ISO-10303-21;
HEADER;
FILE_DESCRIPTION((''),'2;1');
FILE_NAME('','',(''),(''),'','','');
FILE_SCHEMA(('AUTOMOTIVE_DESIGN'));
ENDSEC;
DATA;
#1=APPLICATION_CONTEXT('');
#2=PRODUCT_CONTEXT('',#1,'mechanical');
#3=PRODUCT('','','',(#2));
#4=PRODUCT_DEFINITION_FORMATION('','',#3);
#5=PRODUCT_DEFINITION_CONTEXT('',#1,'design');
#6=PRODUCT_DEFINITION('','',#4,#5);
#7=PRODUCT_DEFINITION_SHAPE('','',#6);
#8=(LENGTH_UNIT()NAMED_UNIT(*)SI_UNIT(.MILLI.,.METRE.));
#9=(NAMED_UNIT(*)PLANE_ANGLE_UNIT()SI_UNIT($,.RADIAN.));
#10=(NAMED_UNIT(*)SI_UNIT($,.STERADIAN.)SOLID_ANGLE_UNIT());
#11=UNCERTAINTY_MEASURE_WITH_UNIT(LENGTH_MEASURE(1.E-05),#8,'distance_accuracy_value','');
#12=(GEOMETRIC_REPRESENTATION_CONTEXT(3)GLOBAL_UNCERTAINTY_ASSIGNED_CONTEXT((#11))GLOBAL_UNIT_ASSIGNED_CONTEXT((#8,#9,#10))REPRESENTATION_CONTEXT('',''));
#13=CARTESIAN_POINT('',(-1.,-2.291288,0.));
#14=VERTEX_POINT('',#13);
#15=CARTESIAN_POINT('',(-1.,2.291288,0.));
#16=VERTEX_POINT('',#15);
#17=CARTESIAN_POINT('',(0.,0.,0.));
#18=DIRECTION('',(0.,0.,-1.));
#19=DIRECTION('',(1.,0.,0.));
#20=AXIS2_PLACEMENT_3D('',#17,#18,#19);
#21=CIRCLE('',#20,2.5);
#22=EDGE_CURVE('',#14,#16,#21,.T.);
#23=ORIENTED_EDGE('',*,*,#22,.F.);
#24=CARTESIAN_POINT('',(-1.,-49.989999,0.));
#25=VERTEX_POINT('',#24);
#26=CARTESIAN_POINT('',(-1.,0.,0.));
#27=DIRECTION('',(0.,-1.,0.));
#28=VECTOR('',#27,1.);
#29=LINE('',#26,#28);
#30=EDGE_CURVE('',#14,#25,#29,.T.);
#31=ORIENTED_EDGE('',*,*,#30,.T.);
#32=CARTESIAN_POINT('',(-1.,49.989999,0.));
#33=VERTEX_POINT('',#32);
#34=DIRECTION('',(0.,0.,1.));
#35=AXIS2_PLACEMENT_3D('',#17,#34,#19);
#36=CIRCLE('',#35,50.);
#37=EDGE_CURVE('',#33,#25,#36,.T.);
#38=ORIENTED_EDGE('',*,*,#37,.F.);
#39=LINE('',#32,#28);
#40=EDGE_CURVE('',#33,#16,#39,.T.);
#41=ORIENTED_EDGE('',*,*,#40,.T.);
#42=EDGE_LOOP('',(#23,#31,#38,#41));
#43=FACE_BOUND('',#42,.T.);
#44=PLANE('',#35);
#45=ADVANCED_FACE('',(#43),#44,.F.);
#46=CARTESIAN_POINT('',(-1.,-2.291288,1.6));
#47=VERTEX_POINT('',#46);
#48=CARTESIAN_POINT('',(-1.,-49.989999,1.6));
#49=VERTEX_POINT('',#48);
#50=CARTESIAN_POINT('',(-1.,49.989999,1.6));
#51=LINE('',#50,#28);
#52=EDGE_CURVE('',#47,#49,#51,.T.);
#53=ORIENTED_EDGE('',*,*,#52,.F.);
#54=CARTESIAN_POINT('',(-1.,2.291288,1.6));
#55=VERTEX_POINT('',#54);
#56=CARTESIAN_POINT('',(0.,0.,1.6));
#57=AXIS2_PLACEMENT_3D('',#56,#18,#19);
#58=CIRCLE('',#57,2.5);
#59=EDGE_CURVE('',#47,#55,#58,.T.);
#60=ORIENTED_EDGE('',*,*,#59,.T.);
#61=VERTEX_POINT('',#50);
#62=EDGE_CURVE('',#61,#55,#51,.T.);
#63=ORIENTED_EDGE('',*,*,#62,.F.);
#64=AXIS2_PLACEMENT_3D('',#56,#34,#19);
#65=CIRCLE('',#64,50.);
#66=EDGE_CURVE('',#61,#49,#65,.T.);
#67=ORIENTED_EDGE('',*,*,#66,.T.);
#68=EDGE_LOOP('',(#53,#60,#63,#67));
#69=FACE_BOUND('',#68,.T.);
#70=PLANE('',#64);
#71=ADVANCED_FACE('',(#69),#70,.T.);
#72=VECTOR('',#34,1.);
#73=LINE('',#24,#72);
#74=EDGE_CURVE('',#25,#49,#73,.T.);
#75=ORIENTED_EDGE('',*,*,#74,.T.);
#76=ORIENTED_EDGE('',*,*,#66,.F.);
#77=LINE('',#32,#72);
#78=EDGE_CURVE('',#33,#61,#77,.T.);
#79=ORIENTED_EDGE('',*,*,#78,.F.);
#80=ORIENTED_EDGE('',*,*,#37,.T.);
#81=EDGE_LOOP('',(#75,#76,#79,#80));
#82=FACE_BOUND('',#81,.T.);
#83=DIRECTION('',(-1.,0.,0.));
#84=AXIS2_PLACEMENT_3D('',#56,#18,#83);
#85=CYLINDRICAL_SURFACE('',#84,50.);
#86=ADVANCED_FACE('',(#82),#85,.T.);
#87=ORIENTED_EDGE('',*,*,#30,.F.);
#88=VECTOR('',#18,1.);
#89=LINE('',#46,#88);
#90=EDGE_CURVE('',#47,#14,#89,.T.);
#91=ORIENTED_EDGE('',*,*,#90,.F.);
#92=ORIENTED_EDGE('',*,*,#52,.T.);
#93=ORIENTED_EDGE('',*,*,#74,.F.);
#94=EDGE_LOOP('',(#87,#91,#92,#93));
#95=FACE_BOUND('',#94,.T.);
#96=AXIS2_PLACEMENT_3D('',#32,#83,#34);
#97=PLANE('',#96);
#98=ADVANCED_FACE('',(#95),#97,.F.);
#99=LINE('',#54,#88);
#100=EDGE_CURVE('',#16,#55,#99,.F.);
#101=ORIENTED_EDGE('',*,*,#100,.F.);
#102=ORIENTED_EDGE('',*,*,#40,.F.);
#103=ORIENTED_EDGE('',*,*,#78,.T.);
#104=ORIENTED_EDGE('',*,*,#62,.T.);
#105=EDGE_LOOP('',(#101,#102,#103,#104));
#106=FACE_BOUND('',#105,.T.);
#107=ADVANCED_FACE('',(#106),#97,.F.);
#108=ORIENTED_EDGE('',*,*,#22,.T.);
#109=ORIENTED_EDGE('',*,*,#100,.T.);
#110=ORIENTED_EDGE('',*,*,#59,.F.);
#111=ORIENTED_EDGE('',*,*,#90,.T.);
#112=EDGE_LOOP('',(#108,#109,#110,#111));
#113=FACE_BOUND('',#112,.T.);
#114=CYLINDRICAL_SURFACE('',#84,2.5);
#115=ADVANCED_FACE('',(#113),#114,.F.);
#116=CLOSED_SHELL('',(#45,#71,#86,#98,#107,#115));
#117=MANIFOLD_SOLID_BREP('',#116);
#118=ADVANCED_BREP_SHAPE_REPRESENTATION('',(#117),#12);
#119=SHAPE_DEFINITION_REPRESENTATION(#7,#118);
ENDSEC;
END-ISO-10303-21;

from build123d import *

# Parameters (mm, degrees)
AUFSATZ_LINEAR_AUSTRAGEN1_DEPTH = 1.6
SCHNITT_LINEAR_AUSTRAGEN1_DEPTH = 71.728777736


with BuildPart() as part:
    # Skizze1 → Aufsatz-Linear austragen1 (new body)
    with BuildSketch(Plane.XY):
        with BuildLine():
            Line((0, 50), (0, 2.5))
            ThreePointArc((0, 2.5), (-2.5, 0), (0, -2.5))
            Line((0, -2.5), (0, -50))
            ThreePointArc((0, -50), (-50, 0), (0, 50))
        make_face()
    extrude(amount=AUFSATZ_LINEAR_AUSTRAGEN1_DEPTH)

    # Skizze2 → Schnitt-Linear austragen1 (cut, through all)
    with BuildSketch(Plane.XY.offset(1.6)):
        Polygon((-1, 49.989999), (-1, -49.989999), (10.868946085, -55.966475583), (12.925250404, 54.301848277), align=None)
    extrude(amount=-SCHNITT_LINEAR_AUSTRAGEN1_DEPTH, mode=Mode.SUBTRACT)


solid = part.part
